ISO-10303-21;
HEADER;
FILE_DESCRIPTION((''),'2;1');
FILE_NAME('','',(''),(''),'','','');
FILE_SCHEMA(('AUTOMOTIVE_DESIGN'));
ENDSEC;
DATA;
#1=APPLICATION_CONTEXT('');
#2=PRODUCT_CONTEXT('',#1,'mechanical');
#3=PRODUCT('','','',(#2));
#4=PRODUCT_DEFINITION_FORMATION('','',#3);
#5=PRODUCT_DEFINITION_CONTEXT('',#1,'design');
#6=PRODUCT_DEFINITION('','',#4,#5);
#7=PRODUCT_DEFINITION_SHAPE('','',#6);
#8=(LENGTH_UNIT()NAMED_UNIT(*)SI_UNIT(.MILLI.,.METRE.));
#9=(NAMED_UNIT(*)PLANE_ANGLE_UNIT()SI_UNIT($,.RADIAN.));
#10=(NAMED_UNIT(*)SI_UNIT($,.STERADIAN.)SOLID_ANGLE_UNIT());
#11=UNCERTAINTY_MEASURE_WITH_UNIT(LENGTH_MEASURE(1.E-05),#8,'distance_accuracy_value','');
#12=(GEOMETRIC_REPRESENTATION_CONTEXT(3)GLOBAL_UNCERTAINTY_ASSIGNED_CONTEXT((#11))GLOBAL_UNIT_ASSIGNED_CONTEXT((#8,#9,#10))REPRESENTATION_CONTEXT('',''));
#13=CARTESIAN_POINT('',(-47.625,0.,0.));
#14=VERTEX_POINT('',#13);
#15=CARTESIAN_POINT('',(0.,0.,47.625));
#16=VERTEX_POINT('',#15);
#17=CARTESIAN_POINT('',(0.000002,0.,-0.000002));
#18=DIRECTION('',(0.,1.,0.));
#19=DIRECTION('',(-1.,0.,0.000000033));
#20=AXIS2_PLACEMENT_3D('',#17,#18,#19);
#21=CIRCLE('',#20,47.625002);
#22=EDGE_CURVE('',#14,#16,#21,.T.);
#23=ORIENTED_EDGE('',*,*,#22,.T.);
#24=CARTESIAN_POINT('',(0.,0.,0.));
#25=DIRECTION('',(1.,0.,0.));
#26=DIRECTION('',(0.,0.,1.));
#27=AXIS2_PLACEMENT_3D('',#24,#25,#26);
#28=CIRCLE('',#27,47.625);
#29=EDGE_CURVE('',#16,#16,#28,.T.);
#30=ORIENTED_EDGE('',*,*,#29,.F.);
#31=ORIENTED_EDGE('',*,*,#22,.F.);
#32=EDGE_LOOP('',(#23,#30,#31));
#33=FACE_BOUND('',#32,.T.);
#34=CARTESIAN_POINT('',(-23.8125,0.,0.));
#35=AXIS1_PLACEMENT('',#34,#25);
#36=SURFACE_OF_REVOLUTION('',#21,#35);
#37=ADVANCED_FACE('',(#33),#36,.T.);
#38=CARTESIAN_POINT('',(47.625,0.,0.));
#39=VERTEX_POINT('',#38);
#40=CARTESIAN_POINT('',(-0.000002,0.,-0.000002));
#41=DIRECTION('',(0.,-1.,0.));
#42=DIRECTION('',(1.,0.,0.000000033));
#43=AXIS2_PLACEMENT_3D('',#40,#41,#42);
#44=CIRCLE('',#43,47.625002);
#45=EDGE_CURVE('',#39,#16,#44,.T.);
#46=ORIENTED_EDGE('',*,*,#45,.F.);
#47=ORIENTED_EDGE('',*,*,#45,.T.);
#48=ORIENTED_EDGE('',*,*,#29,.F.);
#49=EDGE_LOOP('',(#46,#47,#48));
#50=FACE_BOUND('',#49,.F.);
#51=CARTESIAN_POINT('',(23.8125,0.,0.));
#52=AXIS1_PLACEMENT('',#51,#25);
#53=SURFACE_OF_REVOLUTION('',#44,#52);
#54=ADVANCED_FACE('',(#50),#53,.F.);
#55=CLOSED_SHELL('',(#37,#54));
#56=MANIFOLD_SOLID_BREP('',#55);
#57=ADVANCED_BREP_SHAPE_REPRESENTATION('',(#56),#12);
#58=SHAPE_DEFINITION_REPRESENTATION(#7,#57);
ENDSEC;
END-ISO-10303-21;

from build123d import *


with BuildPart() as f1:
    # F0 (on Front) → F1 (revolve)
    with BuildSketch(Plane.XZ):
        with BuildLine():
            Line((0, 47.625), (0, 0))
            Line((0, 0), (47.625, 0))
            ThreePointArc((47.625, 0), (33.67596, 33.67596), (0, 47.625))
        make_face()
    revolve(axis=Axis((23.8125, 0, 0), (1, 0, 0)))

    # F2: F1 across face


with BuildPart() as f1_1:
    add(f1.part)
    add(f1.part.mirror(Plane(origin=(0, 0, 0), x_dir=(0, -1, 0), z_dir=(-1, 0, 0))))


solid = f1_1.part
